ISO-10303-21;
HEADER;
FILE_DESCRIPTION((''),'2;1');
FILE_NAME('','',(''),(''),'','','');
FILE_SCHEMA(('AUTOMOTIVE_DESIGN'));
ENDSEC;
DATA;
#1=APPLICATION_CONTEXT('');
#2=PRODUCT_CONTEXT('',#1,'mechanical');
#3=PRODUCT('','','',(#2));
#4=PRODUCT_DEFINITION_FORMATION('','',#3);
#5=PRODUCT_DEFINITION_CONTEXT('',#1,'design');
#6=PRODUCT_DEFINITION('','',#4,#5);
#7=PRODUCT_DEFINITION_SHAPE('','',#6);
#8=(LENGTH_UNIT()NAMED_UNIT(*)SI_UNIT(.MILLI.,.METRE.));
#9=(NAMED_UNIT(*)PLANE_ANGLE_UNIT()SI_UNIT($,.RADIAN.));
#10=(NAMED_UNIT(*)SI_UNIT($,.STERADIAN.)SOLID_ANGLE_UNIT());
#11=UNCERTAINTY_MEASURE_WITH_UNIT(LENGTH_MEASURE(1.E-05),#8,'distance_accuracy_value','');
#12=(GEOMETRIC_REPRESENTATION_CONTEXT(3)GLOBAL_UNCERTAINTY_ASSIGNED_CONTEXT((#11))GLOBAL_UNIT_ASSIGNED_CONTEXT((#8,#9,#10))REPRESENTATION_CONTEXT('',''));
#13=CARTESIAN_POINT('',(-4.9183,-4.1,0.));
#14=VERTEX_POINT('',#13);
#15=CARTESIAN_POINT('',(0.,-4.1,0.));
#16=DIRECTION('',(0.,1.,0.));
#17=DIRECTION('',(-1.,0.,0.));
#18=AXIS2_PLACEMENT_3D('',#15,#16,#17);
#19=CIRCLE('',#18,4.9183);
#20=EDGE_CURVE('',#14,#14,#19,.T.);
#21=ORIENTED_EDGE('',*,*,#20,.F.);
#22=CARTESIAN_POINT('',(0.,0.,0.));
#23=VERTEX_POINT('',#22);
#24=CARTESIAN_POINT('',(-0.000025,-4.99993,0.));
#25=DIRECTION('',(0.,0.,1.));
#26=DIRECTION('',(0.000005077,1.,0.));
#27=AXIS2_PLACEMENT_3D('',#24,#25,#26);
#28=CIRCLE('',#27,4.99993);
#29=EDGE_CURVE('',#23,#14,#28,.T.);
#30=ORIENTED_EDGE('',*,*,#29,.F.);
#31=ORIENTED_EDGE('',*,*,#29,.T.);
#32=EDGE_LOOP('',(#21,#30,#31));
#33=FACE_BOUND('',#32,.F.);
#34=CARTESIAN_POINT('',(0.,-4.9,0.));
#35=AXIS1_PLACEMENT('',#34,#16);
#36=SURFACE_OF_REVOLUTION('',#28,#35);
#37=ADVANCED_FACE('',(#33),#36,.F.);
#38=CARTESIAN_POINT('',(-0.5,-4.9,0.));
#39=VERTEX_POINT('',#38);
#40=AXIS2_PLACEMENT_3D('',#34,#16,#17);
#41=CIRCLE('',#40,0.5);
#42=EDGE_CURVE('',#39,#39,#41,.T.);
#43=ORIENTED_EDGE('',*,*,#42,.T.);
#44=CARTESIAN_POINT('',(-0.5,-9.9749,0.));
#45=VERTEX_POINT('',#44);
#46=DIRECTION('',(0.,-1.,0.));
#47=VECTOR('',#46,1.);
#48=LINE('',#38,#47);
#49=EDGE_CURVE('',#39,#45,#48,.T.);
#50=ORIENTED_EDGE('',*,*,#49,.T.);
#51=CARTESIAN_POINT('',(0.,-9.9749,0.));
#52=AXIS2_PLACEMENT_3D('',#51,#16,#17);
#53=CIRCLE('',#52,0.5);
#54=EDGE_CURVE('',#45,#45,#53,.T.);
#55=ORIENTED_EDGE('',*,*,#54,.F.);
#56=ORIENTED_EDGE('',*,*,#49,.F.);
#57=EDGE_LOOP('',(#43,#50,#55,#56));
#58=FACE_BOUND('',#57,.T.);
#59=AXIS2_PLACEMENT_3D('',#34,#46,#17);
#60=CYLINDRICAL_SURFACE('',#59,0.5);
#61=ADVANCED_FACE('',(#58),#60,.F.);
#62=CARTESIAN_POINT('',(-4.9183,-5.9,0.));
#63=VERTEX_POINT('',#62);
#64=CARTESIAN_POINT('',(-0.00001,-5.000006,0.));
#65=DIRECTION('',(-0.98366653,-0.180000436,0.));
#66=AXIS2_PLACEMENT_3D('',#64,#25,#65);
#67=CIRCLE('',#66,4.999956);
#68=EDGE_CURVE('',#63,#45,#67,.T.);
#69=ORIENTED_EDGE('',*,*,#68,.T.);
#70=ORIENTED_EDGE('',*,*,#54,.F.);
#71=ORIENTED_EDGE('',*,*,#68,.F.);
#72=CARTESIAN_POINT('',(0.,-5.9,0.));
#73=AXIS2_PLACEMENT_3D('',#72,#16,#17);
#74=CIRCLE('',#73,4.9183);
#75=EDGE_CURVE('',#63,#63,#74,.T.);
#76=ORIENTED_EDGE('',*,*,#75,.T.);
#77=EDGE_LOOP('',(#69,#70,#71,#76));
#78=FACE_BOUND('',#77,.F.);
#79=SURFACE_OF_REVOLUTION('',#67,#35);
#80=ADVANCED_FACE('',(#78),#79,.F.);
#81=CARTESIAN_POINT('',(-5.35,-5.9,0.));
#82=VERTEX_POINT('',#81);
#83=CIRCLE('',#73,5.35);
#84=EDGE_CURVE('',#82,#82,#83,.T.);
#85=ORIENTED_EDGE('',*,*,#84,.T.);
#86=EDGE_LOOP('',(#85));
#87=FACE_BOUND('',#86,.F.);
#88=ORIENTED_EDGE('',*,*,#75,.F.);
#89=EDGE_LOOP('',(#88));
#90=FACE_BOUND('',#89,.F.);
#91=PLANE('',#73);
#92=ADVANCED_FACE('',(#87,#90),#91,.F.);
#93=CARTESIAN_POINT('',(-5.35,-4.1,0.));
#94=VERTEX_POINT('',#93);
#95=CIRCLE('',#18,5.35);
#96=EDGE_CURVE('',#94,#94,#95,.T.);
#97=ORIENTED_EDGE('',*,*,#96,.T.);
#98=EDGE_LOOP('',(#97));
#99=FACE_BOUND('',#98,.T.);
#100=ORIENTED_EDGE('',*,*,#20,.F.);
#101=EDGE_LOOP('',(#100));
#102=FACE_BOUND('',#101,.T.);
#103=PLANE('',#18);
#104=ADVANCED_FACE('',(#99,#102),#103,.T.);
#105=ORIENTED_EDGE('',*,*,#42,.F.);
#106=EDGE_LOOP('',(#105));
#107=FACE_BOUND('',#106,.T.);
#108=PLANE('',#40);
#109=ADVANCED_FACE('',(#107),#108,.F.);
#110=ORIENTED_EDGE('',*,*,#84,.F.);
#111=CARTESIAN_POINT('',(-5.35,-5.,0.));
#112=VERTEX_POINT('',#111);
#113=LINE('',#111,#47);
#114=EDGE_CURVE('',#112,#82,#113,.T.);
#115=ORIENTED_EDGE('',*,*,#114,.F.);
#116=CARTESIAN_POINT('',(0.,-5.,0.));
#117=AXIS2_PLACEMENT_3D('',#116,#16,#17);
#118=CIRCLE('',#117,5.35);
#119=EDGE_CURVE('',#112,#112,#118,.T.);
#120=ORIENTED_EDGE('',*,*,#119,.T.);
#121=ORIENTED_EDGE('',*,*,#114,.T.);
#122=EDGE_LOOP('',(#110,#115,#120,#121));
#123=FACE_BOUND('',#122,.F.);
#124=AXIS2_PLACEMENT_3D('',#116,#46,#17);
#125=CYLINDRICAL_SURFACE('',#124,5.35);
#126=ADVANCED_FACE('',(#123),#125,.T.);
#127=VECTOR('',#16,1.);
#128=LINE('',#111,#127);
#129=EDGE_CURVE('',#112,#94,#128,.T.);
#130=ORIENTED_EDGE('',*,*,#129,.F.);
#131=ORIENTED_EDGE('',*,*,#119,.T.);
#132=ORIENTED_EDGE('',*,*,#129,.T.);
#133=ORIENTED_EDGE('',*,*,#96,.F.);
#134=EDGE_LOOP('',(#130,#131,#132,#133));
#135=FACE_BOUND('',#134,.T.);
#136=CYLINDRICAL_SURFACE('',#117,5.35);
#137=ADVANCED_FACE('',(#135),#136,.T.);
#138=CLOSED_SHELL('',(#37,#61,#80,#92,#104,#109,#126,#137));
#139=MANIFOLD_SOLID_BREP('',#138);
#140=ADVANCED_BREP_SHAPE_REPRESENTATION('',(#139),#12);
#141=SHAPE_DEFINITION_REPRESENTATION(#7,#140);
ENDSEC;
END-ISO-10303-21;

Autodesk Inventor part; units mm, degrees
ref_plane "YZ Plane" through (0, 0, 0) normal (1, 0, 0) x (0, 1, 0)
ref_plane "XZ Plane" through (0, 0, 0) normal (0, 1, 0) x (-1, 0, 0)
ref_plane "XY Plane" through (0, 0, 0) normal (0, 0, 1) x (1, 0, 0)
sketch "Boceto1" plane through (0, 0, 0) normal (0, 0, 1) x (1, 0, 0)
  line L0 (-5.35, -5) -> (-5.35, -5.9)
  line L1 (-5.35, -5.9) -> (-4.9183, -5.9)
  line L2 (-5.35, -5) -> (-5.35, -4.1)
  line L3 (-5.35, -4.1) -> (-4.9183, -4.1)
  line L4 (-0.5, -4.9) -> (-0.5, -9.9749)
  line L5 (0, -4.9) -> (-0.5, -4.9)
  arc A0 (0, 0) -> (-4.9183, -4.1) centre (0, -5) ccw
  arc A1 (-4.9183, -5.9) -> (-0.5, -9.9749) centre (0, -5) ccw
  line L6 (0, -4.9) -> (0, 0)
  point P0 (0, 0)
revolve "Revolución1" add sketch "Boceto1" angle 360 about axis through (0, -4.9, 0) along (0, 1, 0)
properties part number "caramelo"
